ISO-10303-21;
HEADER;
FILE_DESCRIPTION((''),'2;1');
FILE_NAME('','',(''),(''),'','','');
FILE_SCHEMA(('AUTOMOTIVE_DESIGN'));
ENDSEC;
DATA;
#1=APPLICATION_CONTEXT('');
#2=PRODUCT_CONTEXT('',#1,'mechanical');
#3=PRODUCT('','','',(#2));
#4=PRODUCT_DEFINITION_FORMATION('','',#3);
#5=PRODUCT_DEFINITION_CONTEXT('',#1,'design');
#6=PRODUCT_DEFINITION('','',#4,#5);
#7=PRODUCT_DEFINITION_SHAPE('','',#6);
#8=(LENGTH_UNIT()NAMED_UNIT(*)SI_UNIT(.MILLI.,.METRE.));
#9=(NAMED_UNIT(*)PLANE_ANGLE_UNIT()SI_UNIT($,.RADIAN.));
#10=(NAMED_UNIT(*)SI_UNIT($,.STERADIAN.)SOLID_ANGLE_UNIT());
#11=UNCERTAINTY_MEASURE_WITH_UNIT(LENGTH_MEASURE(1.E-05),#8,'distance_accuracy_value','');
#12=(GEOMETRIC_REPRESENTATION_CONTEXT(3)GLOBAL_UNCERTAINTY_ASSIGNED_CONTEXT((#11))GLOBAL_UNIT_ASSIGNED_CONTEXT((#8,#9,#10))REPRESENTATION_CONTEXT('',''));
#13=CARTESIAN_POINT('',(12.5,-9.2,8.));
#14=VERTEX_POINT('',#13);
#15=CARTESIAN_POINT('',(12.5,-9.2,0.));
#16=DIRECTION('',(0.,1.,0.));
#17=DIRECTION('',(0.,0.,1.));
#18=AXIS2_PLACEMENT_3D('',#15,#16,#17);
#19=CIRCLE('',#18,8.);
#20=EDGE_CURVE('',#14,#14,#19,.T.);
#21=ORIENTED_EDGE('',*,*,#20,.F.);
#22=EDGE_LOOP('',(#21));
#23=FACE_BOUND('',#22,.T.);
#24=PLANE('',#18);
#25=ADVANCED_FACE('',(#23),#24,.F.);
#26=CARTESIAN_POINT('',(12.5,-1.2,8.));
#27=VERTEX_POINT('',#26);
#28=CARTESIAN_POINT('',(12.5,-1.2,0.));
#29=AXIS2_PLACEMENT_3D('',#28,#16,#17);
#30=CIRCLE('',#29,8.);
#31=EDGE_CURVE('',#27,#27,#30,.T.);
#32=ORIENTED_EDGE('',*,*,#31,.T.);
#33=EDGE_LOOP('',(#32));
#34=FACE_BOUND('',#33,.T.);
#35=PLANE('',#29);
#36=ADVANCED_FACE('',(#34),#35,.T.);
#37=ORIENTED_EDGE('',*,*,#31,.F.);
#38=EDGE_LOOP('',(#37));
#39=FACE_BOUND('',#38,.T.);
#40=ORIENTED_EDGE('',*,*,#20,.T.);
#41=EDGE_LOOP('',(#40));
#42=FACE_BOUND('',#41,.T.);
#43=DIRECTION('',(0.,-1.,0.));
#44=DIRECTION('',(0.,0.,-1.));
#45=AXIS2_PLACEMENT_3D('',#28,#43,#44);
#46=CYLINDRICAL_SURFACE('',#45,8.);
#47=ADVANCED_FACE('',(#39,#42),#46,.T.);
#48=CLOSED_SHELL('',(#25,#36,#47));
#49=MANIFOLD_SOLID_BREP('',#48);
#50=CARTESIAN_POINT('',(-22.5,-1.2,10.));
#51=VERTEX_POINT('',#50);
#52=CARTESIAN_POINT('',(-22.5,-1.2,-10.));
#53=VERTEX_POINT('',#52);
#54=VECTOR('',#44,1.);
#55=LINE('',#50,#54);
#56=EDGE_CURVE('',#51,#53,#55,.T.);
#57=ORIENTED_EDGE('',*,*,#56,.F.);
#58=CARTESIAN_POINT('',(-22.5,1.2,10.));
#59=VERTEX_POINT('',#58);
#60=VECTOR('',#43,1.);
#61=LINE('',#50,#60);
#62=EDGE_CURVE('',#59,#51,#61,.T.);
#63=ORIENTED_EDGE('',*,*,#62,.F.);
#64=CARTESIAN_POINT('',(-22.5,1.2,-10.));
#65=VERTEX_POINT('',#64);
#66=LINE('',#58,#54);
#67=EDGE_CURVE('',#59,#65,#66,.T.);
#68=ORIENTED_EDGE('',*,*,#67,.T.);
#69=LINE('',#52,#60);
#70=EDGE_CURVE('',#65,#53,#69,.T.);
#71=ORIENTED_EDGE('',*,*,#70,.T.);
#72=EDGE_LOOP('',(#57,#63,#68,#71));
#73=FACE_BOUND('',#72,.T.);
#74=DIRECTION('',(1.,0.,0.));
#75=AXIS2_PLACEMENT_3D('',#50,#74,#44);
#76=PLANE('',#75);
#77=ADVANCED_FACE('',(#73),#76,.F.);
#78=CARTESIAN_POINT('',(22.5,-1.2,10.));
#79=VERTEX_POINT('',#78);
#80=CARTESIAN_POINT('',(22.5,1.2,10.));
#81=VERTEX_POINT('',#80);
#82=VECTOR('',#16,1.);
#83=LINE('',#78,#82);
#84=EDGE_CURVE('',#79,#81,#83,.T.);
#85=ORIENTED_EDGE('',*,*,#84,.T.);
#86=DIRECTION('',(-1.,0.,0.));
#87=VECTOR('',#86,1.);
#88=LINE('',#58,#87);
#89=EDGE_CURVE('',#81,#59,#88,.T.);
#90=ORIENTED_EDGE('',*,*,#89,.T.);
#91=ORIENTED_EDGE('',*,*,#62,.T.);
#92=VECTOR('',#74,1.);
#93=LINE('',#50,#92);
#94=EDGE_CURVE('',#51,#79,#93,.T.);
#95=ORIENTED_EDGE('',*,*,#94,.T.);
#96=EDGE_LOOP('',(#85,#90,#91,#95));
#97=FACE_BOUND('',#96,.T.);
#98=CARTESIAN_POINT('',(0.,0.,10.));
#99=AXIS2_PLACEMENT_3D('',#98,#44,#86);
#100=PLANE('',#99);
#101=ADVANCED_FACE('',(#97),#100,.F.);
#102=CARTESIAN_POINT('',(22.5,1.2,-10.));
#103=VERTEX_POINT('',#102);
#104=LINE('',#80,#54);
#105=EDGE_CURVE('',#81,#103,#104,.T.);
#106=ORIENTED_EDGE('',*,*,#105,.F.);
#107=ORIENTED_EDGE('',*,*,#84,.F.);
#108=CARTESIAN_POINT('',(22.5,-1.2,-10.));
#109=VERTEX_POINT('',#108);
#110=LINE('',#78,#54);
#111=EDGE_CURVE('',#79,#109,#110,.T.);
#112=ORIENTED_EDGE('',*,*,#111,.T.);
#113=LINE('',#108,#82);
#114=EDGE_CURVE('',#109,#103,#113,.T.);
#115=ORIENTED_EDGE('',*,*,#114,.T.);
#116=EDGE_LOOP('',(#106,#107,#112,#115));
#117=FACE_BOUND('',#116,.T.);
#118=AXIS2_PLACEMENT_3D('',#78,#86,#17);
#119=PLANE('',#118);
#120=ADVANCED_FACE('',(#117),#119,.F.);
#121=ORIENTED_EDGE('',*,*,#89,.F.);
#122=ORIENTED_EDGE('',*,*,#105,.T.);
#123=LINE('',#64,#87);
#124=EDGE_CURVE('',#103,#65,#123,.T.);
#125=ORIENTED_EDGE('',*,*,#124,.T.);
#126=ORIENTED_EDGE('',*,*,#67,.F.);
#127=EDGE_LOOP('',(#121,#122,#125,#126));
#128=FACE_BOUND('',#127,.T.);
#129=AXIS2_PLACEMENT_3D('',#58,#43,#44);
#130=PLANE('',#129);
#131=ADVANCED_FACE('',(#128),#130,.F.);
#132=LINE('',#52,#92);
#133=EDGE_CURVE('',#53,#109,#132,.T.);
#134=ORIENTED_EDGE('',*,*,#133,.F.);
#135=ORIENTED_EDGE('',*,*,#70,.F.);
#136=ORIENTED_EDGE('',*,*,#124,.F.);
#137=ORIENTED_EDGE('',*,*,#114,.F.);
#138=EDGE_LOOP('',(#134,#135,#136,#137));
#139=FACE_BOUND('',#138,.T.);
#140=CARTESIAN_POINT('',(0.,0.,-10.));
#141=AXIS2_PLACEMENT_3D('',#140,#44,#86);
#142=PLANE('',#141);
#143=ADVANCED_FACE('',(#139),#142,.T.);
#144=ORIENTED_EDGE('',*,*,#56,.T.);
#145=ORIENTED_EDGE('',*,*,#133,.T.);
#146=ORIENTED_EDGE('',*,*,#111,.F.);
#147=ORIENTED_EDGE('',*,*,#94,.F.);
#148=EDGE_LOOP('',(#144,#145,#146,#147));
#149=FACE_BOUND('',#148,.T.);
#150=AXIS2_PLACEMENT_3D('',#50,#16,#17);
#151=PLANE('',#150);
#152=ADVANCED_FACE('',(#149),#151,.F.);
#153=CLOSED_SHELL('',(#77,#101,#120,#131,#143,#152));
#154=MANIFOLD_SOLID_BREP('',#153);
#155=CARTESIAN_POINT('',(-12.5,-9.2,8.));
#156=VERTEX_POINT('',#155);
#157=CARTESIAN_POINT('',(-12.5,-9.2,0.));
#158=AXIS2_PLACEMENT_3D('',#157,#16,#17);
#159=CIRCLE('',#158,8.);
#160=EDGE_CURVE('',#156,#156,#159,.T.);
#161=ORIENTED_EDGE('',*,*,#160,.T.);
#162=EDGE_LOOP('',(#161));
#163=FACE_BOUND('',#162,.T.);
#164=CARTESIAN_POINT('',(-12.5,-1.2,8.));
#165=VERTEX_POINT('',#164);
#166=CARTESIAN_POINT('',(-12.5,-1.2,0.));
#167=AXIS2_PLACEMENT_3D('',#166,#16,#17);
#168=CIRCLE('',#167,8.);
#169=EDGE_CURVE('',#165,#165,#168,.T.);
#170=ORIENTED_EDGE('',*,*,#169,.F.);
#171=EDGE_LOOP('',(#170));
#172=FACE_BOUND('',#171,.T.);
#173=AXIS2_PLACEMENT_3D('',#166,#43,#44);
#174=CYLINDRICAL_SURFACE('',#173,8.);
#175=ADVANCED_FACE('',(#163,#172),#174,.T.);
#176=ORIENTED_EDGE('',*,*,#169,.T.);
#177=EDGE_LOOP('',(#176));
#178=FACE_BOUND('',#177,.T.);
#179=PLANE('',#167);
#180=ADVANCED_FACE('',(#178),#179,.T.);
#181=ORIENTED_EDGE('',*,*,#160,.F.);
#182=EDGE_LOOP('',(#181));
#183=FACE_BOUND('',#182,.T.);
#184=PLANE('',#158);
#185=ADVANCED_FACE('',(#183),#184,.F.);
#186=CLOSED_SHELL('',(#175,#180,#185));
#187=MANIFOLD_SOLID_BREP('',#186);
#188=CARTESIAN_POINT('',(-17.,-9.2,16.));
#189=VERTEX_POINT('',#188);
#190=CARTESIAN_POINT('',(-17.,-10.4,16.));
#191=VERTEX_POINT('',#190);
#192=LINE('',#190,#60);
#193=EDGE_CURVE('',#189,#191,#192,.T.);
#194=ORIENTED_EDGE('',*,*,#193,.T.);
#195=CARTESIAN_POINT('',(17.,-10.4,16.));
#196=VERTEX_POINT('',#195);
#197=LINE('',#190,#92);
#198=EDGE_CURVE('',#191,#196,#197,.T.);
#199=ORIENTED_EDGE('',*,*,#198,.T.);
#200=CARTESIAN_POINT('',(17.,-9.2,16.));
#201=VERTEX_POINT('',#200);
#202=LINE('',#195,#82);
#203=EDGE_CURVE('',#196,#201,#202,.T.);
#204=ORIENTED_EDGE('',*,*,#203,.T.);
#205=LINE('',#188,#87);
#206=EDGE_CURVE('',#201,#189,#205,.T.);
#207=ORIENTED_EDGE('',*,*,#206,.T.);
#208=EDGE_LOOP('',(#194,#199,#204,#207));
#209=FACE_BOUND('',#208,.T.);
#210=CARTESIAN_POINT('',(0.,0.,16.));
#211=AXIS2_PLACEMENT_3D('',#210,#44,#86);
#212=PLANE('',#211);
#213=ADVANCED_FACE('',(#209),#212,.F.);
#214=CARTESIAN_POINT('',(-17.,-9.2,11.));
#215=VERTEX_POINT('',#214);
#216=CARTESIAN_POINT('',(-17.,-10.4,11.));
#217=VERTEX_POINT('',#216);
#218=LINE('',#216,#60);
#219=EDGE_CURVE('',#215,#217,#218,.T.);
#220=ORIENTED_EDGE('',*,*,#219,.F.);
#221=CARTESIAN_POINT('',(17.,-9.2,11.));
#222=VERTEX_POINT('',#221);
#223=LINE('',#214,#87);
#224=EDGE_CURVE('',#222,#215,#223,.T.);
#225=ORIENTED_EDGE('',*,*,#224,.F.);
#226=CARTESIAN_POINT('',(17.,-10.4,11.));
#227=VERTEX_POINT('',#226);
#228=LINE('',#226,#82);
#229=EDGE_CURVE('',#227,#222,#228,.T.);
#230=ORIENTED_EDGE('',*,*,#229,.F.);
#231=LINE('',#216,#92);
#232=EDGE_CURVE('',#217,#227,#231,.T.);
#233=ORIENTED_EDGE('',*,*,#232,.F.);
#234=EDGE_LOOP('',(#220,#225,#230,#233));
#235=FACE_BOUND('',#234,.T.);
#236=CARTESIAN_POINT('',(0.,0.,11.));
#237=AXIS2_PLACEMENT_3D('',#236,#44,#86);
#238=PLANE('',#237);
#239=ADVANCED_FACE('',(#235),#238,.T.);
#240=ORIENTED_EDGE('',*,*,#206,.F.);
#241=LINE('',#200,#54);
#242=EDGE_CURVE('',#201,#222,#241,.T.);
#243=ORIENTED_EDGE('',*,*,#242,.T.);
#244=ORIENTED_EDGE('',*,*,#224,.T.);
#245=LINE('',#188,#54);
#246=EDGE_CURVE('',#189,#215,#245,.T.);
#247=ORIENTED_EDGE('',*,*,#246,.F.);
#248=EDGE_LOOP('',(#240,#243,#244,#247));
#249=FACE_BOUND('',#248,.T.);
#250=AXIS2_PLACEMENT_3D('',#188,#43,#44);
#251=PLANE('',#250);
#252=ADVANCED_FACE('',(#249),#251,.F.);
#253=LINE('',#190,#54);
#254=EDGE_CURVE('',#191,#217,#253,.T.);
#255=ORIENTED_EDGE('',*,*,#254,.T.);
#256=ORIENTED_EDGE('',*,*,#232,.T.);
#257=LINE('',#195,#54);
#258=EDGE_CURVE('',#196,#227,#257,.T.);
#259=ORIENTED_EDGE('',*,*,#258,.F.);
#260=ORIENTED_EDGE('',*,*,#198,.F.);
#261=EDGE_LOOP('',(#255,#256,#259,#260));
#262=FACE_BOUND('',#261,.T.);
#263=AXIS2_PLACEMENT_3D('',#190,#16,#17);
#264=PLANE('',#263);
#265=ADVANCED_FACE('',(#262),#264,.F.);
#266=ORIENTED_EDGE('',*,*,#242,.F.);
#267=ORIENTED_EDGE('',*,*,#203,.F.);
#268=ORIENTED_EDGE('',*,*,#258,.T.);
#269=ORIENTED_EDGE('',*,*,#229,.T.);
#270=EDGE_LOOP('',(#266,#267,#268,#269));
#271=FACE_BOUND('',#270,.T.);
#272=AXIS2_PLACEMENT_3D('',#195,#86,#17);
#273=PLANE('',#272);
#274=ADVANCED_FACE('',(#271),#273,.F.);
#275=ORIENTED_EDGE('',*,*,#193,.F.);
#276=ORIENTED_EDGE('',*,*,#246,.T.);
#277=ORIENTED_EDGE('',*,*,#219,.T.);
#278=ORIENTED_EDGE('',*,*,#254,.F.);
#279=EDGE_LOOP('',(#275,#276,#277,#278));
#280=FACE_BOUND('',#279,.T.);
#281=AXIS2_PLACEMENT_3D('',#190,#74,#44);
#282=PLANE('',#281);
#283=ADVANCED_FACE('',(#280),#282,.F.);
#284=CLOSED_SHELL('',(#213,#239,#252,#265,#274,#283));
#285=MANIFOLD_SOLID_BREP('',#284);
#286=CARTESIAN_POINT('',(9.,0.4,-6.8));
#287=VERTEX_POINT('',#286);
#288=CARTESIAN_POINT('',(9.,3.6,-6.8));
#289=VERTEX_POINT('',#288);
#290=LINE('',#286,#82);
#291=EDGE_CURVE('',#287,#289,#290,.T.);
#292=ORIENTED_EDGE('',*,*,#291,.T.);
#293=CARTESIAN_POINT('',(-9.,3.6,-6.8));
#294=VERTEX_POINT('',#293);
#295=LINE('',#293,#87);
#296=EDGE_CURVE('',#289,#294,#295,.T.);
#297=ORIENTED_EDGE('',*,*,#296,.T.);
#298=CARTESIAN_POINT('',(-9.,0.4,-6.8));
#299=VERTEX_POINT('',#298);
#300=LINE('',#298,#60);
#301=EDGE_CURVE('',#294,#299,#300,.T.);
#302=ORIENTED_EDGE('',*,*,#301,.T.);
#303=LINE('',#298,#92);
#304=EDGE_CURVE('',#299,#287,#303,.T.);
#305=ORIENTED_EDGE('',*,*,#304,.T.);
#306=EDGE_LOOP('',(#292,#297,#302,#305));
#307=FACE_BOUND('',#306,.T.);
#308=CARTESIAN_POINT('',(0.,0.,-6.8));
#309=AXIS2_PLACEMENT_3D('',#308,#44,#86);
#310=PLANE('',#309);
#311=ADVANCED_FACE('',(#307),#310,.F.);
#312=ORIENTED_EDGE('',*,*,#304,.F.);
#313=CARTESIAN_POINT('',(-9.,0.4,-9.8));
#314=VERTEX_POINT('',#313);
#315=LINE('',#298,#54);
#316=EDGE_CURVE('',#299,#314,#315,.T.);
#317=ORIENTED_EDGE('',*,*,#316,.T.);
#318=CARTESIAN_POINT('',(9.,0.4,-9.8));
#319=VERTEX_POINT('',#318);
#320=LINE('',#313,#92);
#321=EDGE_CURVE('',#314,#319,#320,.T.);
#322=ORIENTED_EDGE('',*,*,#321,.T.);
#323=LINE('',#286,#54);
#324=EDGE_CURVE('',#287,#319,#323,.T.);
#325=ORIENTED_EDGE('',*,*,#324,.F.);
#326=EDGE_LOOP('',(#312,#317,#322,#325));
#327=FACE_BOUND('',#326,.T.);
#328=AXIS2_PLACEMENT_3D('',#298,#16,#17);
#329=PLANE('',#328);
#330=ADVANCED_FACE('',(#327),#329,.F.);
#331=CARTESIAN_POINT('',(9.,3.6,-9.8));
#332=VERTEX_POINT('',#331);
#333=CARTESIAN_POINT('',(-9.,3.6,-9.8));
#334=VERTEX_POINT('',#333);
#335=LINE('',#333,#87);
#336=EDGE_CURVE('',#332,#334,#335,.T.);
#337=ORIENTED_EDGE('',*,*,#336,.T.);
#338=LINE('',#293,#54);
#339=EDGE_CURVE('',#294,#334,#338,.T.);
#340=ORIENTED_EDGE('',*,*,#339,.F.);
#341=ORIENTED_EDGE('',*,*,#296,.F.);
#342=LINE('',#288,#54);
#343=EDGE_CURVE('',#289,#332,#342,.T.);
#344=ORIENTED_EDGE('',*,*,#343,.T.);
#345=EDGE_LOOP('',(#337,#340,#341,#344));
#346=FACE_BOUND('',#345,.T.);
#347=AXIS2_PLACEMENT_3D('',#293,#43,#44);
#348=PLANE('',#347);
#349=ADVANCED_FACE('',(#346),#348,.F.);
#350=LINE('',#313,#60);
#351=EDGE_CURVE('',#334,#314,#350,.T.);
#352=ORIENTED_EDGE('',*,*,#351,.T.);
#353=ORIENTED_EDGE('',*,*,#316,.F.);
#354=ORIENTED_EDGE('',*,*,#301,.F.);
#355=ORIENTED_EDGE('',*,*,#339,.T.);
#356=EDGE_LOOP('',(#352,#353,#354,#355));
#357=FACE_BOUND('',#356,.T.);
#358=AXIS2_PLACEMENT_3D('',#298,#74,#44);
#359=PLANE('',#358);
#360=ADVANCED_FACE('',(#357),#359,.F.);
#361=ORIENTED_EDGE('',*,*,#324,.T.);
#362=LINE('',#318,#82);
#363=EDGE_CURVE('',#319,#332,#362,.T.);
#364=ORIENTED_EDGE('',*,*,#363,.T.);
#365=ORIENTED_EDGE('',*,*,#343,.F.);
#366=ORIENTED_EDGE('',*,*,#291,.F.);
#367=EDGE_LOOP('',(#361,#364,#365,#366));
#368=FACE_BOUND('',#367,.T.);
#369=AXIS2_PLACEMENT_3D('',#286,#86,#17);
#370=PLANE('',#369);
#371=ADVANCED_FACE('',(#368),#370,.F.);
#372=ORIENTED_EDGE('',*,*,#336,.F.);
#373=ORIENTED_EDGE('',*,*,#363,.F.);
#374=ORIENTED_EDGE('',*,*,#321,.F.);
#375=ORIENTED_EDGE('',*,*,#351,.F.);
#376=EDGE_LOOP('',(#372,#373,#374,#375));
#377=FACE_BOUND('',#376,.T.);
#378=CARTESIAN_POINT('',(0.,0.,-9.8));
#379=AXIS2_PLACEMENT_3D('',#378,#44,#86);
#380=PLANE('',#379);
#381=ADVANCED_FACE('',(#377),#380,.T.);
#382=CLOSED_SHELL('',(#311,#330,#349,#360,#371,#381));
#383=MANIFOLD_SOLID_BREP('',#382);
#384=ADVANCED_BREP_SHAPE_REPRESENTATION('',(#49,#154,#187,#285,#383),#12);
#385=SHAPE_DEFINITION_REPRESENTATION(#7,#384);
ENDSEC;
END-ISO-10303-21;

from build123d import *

# Parameters (mm, degrees)
HC_SR04_START                                = -10
SKETCH_1_W                                   = 45
SKETCH_1_H                                   = 2.4
HC_SR04_PCB_45_X_20_MM_DEPTH                 = 20
LEFT_START                                   = -9.2
SKETCH_2_R                                   = 8
LEFT_ULTRASONIC_TRANSDUCER_EYE_DIA_16_DEPTH  = 8
RIGHT_START                                  = -9.2
SKETCH_3_R                                   = 8
RIGHT_ULTRASONIC_TRANSDUCER_EYE_DIA_16_DEPTH = 8
F_4_START                                    = -9.8
SKETCH_4_W                                   = 18
SKETCH_4_H                                   = 3.2
F_4_PIN_HEADER_BLOCK_DEPTH                   = 3
SENSOR_START                                 = 11
SKETCH_5_W                                   = 34
SKETCH_5_H                                   = 1.2
SENSOR_LABEL_PLATE_HC_SR04_45X20_DEPTH       = 5


with BuildPart() as part:
    # 草图1 → HC-SR04 PCB - 45 x 20 mm (new body)
    with BuildSketch(Plane.XY.offset(HC_SR04_START)):
        Rectangle(SKETCH_1_W, SKETCH_1_H)
    extrude(amount=HC_SR04_PCB_45_X_20_MM_DEPTH)


with BuildPart() as body_2:
    # 草图2 → left ultrasonic transducer eye - dia 16 mm (new body)
    with BuildSketch(Plane(origin=(0, 0, 0), x_dir=(1, 0, 0), z_dir=(0, 1, 0)).offset(LEFT_START)):
        with Locations(Location((-12.5, 0, 0), (0, 0, 270))):
            Circle(SKETCH_2_R)
    extrude(amount=LEFT_ULTRASONIC_TRANSDUCER_EYE_DIA_16_DEPTH)


with BuildPart() as body_3:
    # 草图3 → right ultrasonic transducer eye - dia 16 mm (new body)
    with BuildSketch(Plane(origin=(0, 0, 0), x_dir=(1, 0, 0), z_dir=(0, 1, 0)).offset(RIGHT_START)):
        with Locations(Location((12.5, 0, 0), (0, 0, 270))):
            Circle(SKETCH_3_R)
    extrude(amount=RIGHT_ULTRASONIC_TRANSDUCER_EYE_DIA_16_DEPTH)


with BuildPart() as body_4:
    # 草图4 → 4 pin header block (new body)
    with BuildSketch(Plane.XY.offset(F_4_START)):
        with Locations((0, 2)):
            Rectangle(SKETCH_4_W, SKETCH_4_H)
    extrude(amount=F_4_PIN_HEADER_BLOCK_DEPTH)


with BuildPart() as body_5:
    # 草图5 → sensor label plate - HC-SR04 45x20 (new body)
    with BuildSketch(Plane.XY.offset(SENSOR_START)):
        with Locations((0, -9.8)):
            Rectangle(SKETCH_5_W, SKETCH_5_H)
    extrude(amount=SENSOR_LABEL_PLATE_HC_SR04_45X20_DEPTH)


solid = Compound([part.part, body_2.part, body_3.part, body_4.part, body_5.part])
